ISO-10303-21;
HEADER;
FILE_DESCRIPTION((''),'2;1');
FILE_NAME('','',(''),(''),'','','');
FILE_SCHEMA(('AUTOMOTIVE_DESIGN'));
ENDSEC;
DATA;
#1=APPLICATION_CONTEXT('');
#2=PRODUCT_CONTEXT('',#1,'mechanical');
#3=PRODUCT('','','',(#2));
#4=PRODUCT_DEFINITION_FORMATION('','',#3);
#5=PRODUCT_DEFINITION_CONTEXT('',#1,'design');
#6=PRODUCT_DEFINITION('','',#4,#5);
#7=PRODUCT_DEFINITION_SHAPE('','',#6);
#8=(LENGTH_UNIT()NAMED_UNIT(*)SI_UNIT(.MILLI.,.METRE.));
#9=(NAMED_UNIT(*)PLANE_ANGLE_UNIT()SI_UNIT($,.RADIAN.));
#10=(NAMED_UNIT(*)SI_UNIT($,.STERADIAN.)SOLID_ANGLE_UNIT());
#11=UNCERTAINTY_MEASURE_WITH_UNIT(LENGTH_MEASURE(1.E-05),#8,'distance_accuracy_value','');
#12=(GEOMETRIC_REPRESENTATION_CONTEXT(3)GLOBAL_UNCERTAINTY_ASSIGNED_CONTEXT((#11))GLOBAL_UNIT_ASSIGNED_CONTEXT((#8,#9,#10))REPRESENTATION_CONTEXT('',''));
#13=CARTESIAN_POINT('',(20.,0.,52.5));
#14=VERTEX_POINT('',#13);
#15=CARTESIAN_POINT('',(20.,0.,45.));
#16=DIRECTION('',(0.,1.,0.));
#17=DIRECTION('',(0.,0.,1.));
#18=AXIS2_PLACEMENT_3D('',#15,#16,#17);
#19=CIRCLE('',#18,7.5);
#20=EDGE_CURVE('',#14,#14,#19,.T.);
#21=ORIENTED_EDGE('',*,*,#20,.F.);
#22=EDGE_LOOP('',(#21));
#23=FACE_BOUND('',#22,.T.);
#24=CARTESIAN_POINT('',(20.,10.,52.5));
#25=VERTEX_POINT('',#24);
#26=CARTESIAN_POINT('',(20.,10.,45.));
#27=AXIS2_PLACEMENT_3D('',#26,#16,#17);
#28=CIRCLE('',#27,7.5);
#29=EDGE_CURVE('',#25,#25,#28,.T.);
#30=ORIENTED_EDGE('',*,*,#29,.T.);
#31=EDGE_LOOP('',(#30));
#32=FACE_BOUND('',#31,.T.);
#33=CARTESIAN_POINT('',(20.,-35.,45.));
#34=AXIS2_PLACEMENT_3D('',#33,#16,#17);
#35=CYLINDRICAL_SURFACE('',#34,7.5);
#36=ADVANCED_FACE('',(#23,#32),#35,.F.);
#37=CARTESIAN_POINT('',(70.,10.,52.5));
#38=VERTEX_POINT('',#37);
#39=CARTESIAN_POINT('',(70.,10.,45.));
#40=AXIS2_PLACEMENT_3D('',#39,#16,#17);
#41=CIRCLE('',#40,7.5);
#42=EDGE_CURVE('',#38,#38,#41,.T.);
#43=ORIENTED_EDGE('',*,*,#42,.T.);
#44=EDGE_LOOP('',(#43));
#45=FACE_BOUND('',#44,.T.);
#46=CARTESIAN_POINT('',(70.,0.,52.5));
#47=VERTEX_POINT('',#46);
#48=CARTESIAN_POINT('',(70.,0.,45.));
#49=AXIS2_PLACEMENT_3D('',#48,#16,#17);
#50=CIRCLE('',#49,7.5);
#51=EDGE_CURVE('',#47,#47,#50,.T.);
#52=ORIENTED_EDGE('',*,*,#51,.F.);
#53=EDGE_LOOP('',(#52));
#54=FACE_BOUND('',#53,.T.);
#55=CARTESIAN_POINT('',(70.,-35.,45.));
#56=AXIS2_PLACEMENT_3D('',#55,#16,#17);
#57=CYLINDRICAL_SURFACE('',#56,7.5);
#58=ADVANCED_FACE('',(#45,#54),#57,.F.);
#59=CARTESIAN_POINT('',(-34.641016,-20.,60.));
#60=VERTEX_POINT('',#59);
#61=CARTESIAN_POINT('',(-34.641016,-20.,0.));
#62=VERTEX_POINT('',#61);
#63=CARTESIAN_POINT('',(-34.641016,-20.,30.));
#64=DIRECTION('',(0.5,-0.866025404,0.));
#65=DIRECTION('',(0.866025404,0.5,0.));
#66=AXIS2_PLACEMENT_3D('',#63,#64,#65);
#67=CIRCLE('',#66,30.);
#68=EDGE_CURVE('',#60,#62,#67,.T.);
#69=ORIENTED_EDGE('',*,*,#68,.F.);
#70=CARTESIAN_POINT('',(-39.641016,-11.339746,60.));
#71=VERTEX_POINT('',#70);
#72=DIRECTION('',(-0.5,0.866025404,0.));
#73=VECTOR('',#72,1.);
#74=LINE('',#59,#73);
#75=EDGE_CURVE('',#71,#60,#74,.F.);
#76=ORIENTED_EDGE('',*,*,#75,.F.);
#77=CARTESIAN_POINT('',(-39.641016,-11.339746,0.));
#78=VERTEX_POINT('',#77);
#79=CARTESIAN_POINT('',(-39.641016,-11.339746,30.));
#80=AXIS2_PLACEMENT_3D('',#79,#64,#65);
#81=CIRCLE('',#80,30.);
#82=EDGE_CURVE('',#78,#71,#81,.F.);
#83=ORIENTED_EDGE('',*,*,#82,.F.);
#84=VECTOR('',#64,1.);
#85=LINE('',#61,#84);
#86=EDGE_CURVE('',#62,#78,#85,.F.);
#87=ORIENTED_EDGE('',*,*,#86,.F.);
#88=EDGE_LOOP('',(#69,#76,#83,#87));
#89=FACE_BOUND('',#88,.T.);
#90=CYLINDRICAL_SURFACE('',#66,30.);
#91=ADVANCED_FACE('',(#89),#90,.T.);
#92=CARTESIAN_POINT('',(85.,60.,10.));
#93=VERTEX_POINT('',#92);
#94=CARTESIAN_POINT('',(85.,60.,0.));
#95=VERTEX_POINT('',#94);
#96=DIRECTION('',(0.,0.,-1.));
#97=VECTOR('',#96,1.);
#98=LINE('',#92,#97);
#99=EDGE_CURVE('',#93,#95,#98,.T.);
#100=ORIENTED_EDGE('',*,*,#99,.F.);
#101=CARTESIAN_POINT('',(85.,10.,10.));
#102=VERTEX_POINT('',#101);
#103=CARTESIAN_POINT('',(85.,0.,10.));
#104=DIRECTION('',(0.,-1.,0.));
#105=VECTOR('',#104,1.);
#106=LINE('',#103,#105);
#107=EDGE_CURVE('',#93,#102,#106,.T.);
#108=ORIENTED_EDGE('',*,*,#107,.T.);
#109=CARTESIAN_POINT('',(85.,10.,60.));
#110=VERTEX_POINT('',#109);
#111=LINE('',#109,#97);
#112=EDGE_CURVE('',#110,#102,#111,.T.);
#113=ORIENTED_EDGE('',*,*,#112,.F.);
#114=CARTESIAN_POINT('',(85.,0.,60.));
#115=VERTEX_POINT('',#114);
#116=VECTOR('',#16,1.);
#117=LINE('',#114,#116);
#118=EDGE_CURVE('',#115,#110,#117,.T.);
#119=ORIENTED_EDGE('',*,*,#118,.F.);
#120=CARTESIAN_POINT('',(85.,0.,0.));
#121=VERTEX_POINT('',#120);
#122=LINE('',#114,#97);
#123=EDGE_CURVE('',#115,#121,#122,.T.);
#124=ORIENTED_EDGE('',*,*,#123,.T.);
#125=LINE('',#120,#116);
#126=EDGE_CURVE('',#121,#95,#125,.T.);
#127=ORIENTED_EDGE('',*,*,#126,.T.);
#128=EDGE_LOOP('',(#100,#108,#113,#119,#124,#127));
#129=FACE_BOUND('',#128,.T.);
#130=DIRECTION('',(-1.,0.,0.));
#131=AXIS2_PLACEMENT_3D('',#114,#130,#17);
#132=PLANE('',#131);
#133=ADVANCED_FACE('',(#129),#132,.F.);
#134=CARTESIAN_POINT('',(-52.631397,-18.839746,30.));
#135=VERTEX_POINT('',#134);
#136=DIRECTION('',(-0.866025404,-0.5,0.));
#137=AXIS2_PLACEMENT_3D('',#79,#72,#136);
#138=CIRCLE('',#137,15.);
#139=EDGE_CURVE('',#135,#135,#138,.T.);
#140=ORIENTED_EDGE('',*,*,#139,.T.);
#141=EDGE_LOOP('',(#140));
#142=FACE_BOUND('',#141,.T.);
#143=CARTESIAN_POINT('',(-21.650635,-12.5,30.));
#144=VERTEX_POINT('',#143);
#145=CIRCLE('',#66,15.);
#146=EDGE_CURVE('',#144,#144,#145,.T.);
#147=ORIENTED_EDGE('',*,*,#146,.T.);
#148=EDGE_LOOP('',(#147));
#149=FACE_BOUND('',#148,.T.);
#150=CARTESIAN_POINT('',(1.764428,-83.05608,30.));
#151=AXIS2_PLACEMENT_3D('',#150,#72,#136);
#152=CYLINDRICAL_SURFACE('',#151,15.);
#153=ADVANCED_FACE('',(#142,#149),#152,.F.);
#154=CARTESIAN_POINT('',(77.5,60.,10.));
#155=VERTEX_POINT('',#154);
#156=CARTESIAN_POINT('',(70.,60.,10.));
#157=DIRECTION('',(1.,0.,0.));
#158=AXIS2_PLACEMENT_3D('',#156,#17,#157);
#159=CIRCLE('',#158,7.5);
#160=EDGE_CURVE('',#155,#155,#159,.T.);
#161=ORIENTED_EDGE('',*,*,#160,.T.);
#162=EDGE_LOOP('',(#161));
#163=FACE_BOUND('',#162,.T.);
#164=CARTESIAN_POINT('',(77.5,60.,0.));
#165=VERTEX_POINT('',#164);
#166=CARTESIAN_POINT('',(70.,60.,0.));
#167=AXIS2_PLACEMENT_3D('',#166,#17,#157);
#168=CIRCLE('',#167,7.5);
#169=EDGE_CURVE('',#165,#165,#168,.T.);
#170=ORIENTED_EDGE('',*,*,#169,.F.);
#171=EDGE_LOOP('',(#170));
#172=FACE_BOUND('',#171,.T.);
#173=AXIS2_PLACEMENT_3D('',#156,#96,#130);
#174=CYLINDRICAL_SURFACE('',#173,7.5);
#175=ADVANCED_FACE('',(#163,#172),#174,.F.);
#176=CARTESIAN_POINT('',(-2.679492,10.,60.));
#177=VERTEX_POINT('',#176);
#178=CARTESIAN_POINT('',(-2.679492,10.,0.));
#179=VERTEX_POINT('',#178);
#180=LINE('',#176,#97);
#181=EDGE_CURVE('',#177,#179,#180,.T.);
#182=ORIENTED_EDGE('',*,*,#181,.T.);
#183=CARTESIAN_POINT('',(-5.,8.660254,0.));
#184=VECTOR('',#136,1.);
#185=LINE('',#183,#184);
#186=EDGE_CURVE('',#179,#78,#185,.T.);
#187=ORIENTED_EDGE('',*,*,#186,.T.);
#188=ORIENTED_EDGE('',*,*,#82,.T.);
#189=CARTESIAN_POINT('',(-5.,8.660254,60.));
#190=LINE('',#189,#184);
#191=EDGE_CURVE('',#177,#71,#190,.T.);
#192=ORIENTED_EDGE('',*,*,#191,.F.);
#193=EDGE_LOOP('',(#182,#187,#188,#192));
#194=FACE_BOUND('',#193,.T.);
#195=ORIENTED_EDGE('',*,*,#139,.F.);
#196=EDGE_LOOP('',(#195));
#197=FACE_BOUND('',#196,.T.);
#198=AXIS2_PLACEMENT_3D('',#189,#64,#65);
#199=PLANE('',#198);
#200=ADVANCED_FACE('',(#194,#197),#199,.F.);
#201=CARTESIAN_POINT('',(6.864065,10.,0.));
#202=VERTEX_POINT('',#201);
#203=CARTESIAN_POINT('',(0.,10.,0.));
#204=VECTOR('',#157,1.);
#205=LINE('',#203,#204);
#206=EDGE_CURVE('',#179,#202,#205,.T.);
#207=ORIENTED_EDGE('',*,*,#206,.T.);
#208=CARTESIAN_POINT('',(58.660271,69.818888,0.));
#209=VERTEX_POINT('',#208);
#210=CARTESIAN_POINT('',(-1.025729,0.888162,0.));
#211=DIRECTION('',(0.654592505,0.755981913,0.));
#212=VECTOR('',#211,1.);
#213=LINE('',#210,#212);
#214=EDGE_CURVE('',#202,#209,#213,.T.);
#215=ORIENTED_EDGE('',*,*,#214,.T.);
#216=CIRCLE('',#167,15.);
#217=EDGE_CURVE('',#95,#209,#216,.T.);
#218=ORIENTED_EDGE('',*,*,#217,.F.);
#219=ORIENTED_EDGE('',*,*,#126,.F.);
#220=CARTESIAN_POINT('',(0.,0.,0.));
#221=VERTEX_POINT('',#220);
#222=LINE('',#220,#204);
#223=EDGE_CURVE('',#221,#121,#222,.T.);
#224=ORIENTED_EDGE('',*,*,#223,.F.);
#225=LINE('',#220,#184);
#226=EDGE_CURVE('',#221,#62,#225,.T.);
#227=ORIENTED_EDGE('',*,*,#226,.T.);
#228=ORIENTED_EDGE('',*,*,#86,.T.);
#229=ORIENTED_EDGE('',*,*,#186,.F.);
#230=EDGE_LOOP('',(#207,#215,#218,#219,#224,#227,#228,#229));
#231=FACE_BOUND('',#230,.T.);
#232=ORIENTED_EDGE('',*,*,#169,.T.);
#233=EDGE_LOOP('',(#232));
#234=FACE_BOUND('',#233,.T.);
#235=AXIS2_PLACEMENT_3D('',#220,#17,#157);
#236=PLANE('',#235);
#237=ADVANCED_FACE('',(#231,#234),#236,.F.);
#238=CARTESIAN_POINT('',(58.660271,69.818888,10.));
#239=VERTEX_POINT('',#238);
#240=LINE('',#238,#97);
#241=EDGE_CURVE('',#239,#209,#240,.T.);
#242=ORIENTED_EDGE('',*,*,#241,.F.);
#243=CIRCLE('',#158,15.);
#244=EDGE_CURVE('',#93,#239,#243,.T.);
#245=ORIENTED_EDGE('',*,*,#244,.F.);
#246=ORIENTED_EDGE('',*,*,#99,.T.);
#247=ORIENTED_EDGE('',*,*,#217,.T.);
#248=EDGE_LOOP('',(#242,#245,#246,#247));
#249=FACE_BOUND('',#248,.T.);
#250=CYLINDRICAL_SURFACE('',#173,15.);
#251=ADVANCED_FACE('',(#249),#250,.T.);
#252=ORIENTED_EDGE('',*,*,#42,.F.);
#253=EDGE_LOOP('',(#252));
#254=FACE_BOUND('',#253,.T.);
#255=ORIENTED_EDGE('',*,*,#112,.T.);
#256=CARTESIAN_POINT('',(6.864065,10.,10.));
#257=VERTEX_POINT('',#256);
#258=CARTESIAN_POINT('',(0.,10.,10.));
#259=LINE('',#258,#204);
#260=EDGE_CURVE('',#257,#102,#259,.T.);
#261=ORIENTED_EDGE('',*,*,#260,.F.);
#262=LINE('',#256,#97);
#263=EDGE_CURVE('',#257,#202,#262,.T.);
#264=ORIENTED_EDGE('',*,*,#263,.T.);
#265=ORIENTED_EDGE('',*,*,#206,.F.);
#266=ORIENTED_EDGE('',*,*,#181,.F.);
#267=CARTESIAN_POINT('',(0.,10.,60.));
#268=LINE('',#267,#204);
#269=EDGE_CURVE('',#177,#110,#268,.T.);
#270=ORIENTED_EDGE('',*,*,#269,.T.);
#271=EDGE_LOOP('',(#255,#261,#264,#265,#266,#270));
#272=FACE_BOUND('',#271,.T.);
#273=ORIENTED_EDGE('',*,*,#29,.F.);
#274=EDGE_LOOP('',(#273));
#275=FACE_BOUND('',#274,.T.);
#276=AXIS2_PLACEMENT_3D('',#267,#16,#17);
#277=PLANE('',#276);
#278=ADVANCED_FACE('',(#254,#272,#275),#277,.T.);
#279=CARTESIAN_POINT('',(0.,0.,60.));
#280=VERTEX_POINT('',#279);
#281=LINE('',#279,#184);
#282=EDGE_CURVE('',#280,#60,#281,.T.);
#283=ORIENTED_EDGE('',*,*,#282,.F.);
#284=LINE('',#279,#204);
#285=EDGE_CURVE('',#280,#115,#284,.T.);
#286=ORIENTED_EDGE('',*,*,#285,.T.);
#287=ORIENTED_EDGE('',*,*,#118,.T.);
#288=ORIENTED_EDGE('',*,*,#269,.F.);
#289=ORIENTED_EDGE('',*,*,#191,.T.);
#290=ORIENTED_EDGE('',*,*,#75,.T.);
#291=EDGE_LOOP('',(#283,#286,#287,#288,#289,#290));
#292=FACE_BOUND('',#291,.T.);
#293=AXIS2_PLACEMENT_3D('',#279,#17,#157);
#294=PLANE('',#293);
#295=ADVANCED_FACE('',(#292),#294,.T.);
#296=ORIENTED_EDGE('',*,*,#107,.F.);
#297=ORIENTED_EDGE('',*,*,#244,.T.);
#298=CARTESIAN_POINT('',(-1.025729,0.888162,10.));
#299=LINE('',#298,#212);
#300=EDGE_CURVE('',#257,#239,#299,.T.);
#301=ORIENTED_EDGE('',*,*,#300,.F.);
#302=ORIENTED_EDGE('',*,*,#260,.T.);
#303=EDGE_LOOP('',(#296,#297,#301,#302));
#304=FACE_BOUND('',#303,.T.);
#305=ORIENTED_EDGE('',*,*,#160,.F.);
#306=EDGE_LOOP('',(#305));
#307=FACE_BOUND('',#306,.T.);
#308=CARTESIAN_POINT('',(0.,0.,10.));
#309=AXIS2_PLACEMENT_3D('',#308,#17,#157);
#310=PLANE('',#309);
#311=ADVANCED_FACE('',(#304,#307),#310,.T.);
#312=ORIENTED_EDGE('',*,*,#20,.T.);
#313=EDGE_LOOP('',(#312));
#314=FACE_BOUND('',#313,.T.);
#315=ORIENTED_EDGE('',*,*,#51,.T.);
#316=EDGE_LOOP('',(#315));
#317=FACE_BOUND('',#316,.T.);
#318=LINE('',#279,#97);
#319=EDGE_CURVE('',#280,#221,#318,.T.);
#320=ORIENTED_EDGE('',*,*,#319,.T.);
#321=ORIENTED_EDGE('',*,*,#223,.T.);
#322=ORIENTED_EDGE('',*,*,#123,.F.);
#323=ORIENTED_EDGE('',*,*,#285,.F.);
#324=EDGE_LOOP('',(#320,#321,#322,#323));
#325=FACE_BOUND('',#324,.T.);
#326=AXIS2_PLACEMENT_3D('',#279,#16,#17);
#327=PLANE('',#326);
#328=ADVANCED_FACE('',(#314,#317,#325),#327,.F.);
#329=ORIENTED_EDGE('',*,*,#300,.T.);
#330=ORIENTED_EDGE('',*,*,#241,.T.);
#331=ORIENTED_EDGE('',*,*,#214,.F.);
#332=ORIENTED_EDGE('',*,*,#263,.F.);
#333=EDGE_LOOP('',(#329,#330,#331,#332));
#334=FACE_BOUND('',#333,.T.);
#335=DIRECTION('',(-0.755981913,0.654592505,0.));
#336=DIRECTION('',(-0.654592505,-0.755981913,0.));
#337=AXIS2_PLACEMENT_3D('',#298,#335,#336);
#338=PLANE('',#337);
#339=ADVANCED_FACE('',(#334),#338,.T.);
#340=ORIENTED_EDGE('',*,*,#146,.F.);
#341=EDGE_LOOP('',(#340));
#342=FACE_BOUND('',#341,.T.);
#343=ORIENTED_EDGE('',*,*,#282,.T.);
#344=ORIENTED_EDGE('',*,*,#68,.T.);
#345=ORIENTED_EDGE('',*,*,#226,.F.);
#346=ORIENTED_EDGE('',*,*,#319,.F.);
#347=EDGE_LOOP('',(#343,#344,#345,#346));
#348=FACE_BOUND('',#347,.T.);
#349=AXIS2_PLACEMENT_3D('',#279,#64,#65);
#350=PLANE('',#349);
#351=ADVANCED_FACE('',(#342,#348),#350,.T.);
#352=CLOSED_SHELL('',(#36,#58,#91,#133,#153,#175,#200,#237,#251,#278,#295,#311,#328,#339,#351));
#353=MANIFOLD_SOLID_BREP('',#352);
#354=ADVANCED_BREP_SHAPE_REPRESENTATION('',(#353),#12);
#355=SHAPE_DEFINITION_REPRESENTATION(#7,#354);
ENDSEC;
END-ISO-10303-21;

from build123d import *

# Parameters (mm, degrees)
BOSS_EXTRUDE1_DEPTH = 60
SKETCH1_3_R         = 7.5
BOSS_EXTRUDE2_DEPTH = 10
SKETCH2_R           = 7.5
CUT_EXTRUDE1_DEPTH  = 123.678441464
FILLET1_RADIUS      = 30
FILLET1_LENGTH      = 10
SKETCH3_R           = 15
CUT_EXTRUDE2_DEPTH  = 127.889565743


with BuildPart() as part:
    # Sketch1 → Boss-Extrude1 (new body)
    with BuildSketch(Plane.XY):
        Polygon((0, 0), (85, 0), (85, 10), (-2.679491924, 10), (-65.621778265, -26.339745962), (-60.621778265, -35), align=None)
    extrude(amount=BOSS_EXTRUDE1_DEPTH)

    # Sketch1<3> → Boss-Extrude2 (add)
    with BuildSketch(Plane.XY):
        with BuildLine():
            Line((6.864064603, 10), (85, 10))
            Line((85, 10), (85, 60))
            ThreePointArc((85, 60), (75.23946894, 74.055175745), (58.660271303, 69.818887568))
            Line((58.660271303, 69.818887568), (6.864064603, 10))
        make_face()
        with Locations((70, 60)):
            Circle(SKETCH1_3_R, mode=Mode.SUBTRACT)
    extrude(amount=BOSS_EXTRUDE2_DEPTH)

    # Sketch2 → Cut-Extrude1 (cut, through all)
    with BuildSketch(Plane(origin=(0, 10, 0), x_dir=(1, 0, 0), z_dir=(0, 1, 0))):
        with Locations(Location((20, -45, 0), (0, 0, 270))):
            Circle(SKETCH2_R)
        with Locations(Location((70, -45, 0), (0, 0, 270))):
            Circle(SKETCH2_R)
    extrude(amount=-CUT_EXTRUDE1_DEPTH, mode=Mode.SUBTRACT)

    # Fillet1: full round fillet: the end face becomes a half cylinder, R = half its width
    fillet1_face = Plane((-63.121778265, -30.669872981, 30), x_dir=(-0.5, 0.866025403784, 0), z_dir=(-0.866025403784, -0.5, 0))  # on the end face: x along it, z out of the body
    fillet1_slab = fillet1_face.offset(-FILLET1_RADIUS / 2) * Box(FILLET1_LENGTH, 2 * FILLET1_RADIUS, FILLET1_RADIUS, mode=Mode.PRIVATE)  # the body's end, R deep
    fillet1_round = Plane((-37.141016151, -15.669872981, 30), x_dir=(-0.866025403784, -0.5, 0), z_dir=(-0.5, 0.866025403784, 0)) * Cylinder(FILLET1_RADIUS, FILLET1_LENGTH, mode=Mode.PRIVATE)  # its axis R under the face
    add(fillet1_slab - fillet1_round, mode=Mode.SUBTRACT)

    # Sketch3 → Cut-Extrude2 (cut, through all)
    with BuildSketch(Plane(origin=(-5, 8.660254038, 0), x_dir=(0.8660254037844345, 0.5000000000000073, 0), z_dir=(-0.5000000000000073, 0.8660254037844345, 0))):
        with Locations(Location((-40, -30, 0), (0, 0, 180))):
            Circle(SKETCH3_R)
    extrude(amount=-CUT_EXTRUDE2_DEPTH, mode=Mode.SUBTRACT)


solid = part.part
